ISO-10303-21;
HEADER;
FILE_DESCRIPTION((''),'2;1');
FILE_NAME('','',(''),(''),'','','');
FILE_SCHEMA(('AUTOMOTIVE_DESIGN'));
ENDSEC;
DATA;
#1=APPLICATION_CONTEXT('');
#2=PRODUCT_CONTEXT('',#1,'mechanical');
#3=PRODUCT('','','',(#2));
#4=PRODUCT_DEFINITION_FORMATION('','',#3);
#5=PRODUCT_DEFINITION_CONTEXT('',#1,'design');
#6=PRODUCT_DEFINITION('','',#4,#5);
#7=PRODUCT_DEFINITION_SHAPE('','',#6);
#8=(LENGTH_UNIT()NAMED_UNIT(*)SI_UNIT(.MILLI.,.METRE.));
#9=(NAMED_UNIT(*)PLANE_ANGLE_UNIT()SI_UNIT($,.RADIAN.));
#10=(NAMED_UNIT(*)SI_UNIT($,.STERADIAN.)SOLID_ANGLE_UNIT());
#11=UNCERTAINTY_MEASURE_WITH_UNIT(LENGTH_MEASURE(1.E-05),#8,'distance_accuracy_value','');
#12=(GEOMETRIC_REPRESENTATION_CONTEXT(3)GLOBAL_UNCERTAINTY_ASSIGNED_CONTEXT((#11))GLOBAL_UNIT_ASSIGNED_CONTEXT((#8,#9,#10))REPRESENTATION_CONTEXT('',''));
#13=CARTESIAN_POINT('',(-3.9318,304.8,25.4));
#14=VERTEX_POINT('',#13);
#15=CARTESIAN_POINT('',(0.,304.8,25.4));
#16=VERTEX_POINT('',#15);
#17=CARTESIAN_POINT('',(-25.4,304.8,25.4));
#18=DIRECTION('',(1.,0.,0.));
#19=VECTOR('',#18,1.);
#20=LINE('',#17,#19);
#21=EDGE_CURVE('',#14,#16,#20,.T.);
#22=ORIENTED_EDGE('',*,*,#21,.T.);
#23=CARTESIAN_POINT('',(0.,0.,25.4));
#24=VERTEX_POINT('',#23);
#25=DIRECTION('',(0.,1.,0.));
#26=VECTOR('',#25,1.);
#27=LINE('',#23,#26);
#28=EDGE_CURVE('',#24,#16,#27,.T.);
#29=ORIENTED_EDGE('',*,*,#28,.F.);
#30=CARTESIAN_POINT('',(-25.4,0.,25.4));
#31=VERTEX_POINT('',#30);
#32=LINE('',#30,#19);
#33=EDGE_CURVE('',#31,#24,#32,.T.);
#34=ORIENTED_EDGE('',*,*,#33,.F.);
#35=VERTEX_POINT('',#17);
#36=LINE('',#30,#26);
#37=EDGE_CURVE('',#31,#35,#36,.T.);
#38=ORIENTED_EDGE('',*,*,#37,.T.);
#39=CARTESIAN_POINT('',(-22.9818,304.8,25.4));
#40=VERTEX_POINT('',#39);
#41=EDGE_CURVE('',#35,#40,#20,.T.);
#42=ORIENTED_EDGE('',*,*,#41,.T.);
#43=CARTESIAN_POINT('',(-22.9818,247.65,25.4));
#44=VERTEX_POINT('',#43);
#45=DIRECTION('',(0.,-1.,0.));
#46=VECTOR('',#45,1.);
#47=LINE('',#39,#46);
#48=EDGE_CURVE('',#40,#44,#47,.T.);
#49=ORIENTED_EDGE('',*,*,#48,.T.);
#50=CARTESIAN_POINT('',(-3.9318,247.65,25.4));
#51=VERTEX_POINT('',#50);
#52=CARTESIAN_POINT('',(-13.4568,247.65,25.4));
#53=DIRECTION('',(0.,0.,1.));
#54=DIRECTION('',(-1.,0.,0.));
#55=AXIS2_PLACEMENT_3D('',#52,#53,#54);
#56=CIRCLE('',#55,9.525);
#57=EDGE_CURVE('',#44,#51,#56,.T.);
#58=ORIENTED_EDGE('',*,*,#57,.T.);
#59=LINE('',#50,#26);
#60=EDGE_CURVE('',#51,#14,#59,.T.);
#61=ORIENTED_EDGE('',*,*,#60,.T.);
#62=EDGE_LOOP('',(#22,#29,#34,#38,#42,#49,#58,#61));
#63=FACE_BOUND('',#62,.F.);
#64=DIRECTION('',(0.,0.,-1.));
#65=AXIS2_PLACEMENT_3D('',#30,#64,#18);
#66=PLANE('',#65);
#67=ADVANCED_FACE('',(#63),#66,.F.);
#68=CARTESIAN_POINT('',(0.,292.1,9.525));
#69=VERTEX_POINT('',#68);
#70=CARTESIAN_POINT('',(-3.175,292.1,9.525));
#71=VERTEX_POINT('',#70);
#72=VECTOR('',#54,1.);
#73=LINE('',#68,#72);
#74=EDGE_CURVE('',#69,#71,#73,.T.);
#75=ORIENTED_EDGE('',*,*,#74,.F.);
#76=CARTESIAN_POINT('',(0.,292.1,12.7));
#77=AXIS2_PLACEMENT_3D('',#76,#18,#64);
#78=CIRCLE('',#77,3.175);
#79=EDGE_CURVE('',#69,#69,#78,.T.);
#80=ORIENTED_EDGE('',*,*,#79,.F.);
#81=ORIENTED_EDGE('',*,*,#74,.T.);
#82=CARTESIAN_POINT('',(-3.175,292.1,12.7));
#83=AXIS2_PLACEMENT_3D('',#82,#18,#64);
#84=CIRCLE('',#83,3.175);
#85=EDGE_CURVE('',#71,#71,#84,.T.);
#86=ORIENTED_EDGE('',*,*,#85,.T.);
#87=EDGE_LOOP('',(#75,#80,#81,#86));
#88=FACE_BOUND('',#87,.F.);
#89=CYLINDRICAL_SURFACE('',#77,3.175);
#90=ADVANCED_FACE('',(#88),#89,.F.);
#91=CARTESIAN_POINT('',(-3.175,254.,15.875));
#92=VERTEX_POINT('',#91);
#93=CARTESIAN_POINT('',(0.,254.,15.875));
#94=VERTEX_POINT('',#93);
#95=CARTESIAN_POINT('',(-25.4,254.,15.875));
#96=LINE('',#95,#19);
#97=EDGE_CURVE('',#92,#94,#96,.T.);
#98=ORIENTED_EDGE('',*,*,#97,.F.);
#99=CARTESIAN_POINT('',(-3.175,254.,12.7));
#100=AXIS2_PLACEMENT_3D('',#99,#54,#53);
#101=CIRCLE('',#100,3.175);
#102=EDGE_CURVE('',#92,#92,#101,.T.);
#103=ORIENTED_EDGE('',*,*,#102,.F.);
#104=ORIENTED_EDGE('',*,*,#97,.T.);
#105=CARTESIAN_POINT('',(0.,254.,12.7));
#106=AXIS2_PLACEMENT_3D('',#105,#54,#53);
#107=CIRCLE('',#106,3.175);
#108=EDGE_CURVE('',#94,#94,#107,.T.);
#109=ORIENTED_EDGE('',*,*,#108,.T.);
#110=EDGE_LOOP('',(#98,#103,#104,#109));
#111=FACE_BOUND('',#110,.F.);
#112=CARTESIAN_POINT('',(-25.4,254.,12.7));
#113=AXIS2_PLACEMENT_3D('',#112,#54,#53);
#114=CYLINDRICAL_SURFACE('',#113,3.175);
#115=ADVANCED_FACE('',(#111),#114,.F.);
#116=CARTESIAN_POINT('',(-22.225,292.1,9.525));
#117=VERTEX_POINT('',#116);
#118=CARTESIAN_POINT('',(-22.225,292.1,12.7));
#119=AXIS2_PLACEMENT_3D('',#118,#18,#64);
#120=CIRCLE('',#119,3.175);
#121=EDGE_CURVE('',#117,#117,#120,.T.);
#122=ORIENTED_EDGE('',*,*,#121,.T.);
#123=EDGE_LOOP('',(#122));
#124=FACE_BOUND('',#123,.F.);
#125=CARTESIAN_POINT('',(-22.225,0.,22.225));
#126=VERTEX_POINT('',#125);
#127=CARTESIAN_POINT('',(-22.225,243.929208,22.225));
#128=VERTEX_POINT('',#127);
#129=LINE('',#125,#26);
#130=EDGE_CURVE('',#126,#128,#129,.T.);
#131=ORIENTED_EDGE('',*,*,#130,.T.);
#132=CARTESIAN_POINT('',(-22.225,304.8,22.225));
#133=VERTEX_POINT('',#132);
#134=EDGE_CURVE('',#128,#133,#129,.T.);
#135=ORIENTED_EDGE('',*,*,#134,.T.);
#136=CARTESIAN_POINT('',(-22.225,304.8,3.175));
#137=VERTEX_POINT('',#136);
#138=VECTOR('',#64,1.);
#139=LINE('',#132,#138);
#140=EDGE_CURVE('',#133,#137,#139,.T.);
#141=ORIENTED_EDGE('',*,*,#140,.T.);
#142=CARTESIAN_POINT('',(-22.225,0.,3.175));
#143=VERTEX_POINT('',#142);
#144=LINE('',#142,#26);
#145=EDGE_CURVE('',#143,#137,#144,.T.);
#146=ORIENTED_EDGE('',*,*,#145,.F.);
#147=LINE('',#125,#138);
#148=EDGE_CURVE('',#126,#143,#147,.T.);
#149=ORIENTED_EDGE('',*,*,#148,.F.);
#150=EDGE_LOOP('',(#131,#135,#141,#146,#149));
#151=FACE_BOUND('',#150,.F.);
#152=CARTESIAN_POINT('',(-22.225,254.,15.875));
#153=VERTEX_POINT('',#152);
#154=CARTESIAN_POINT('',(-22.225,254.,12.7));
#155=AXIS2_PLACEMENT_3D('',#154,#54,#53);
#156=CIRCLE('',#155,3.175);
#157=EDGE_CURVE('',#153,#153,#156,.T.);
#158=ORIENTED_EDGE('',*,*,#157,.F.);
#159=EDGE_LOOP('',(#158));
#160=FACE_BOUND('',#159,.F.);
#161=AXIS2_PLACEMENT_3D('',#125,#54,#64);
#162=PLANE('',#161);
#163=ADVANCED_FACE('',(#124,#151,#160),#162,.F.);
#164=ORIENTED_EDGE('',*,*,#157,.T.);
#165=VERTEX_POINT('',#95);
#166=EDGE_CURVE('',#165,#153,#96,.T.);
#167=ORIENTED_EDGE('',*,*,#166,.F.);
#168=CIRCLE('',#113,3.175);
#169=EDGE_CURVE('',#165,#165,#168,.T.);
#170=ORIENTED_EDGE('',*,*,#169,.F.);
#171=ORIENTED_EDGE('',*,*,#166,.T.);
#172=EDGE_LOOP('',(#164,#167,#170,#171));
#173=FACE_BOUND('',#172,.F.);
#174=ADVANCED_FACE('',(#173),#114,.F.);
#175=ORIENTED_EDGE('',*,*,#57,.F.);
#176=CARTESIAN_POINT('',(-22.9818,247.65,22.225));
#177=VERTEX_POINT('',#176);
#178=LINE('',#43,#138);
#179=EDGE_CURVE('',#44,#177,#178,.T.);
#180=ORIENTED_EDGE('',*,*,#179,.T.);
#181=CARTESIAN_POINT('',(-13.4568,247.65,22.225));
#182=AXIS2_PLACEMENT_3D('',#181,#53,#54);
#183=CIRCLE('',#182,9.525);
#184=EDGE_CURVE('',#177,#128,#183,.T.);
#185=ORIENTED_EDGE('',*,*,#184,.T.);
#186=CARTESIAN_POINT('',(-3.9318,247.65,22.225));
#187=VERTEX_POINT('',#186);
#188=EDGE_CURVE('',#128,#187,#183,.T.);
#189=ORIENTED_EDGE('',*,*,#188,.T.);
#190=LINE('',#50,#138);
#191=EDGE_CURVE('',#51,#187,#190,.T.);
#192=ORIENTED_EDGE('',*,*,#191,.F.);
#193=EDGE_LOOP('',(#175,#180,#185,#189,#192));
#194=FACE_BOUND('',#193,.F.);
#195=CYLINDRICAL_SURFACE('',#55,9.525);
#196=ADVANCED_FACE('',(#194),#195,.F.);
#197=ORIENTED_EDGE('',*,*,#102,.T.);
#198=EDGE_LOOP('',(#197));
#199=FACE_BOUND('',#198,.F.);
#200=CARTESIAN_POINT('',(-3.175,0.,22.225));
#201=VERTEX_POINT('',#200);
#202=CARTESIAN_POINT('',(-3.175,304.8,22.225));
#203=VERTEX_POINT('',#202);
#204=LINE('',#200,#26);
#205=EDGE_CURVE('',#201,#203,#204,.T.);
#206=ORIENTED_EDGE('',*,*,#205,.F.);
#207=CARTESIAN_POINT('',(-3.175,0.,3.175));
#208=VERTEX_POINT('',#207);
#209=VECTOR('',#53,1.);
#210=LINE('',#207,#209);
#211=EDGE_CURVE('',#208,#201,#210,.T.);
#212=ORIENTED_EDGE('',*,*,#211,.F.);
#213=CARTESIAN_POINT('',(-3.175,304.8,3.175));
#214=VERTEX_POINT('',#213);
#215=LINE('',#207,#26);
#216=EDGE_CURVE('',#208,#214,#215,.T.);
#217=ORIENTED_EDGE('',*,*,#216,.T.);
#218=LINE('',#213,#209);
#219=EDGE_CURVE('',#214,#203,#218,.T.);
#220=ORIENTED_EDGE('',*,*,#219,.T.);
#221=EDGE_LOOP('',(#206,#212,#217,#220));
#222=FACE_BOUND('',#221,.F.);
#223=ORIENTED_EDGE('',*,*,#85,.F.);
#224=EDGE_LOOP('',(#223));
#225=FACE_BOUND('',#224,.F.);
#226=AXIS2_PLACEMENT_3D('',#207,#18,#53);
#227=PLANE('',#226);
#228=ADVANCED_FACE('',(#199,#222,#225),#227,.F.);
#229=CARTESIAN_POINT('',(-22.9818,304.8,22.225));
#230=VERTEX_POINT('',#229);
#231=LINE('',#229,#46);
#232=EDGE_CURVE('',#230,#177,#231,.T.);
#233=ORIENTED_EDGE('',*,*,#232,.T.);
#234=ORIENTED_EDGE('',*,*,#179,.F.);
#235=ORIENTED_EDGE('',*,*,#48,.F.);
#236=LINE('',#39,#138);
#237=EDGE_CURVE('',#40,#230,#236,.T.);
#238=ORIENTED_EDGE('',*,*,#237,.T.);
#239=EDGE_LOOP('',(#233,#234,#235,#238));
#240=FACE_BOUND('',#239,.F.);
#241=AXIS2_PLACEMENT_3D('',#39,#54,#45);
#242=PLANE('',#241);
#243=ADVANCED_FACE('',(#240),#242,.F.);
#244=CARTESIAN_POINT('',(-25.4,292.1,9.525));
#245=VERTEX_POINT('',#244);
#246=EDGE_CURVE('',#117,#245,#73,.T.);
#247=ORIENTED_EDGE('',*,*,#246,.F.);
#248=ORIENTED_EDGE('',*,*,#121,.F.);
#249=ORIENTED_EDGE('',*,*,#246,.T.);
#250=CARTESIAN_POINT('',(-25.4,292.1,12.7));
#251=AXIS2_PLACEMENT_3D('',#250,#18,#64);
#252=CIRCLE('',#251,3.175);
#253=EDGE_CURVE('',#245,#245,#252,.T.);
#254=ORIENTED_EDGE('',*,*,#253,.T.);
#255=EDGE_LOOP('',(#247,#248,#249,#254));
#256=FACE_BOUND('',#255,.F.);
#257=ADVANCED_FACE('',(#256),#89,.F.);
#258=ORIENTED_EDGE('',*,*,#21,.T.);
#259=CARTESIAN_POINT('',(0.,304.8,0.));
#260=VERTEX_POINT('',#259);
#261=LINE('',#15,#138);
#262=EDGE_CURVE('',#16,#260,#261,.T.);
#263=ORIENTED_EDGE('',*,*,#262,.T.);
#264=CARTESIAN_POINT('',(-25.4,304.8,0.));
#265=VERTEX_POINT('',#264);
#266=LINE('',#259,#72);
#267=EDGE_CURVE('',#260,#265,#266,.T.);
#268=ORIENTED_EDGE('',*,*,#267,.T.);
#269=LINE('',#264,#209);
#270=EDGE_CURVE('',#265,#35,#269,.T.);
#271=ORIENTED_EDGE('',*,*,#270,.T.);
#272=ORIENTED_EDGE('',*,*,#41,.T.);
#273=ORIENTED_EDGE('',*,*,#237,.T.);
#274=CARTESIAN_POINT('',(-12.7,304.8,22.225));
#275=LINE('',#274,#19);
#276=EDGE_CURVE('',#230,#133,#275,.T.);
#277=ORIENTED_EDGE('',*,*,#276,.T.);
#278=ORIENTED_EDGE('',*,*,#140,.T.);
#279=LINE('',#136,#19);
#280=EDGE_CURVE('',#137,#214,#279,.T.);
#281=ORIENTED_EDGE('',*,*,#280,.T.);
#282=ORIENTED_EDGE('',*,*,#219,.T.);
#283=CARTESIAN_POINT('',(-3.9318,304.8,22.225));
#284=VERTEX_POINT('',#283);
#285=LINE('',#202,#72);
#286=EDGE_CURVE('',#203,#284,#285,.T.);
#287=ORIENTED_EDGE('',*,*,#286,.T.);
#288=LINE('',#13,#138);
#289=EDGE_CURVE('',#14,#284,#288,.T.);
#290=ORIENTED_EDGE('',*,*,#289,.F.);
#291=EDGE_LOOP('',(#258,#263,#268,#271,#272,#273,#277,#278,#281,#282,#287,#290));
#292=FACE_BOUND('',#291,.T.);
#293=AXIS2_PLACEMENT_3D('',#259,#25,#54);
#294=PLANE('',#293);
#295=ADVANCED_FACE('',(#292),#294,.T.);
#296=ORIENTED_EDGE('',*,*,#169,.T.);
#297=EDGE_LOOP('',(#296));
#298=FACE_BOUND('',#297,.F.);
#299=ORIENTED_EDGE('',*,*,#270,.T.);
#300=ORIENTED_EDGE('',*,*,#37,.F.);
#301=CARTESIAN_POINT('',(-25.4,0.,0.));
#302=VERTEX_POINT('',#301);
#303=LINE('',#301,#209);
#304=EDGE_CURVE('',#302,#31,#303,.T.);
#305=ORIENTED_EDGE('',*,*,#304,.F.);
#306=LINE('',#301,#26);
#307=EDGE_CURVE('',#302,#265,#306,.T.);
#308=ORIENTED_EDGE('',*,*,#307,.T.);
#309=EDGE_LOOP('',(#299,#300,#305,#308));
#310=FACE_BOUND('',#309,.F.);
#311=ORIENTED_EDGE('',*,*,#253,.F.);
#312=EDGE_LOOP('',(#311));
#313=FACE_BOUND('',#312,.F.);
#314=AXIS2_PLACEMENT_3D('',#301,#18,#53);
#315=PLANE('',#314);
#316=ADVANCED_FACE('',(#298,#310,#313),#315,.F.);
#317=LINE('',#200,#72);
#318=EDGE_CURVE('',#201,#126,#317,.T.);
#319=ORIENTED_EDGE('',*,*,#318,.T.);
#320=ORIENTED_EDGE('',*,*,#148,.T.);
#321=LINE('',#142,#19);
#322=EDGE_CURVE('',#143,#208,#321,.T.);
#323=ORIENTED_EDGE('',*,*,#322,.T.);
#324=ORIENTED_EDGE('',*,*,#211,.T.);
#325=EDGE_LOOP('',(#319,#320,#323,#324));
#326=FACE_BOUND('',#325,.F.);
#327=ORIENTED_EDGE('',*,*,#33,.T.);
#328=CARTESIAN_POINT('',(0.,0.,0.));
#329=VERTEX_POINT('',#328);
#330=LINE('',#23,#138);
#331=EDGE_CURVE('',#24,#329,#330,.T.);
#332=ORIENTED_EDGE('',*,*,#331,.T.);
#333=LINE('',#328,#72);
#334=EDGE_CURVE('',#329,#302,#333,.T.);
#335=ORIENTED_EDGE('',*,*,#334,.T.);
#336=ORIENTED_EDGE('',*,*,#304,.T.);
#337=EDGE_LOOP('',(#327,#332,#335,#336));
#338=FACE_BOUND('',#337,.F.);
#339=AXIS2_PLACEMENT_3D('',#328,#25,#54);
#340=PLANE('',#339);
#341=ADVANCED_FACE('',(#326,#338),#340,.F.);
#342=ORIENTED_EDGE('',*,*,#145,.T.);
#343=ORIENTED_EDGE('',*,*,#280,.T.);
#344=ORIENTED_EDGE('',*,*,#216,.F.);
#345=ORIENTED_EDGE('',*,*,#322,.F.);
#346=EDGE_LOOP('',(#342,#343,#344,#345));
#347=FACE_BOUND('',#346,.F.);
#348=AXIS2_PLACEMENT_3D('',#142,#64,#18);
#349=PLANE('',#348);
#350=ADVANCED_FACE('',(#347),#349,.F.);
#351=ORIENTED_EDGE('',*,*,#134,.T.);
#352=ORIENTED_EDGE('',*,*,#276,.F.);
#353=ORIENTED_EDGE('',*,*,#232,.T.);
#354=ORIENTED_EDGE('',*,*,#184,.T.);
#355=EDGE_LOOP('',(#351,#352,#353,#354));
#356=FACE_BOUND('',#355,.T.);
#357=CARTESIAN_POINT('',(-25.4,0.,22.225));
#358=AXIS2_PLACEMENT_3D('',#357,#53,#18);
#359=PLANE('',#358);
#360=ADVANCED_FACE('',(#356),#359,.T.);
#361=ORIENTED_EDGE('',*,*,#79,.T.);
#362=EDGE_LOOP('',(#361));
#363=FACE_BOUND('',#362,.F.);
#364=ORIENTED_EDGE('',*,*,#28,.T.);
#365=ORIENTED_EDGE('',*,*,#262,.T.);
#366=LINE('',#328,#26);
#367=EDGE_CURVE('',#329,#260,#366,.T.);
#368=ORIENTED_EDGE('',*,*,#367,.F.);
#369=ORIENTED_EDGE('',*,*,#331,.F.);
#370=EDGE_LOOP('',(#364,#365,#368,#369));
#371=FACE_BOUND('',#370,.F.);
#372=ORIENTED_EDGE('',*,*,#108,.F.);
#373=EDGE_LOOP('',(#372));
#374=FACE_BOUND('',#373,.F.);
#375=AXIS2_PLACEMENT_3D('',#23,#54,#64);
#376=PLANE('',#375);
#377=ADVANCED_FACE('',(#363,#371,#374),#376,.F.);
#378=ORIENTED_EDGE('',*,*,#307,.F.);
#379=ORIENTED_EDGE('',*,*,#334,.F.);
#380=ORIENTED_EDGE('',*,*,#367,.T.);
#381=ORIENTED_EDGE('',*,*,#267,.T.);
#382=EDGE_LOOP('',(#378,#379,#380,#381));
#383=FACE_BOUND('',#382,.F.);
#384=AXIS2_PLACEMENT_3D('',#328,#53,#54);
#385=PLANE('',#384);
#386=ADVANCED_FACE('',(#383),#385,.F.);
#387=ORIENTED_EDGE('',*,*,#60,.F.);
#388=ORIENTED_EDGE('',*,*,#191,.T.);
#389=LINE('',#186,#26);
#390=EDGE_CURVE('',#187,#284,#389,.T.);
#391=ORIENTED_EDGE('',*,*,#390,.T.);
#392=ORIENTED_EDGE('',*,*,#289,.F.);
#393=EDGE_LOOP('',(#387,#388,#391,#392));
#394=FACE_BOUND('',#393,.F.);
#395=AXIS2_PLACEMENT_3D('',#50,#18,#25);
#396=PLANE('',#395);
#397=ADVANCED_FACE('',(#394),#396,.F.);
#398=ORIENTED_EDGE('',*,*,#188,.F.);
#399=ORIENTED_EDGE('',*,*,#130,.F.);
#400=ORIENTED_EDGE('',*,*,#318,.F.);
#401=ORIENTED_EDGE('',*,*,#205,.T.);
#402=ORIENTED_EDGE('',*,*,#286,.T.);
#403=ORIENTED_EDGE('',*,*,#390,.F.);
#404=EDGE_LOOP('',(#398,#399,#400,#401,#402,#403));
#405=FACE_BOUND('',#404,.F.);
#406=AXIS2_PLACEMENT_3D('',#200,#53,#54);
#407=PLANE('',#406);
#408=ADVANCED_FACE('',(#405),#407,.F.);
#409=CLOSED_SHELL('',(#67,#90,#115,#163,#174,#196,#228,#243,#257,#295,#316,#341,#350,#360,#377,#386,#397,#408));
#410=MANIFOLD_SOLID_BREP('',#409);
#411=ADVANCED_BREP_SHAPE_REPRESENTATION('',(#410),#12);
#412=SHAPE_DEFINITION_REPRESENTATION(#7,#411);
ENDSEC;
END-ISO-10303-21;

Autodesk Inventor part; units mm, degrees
ref_plane "YZ Plane" through (0, 0, 0) normal (1, 0, 0) x (0, 1, 0)
ref_plane "XZ Plane" through (0, 0, 0) normal (0, 1, 0) x (-1, 0, 0)
ref_plane "XY Plane" through (0, 0, 0) normal (0, 0, 1) x (1, 0, 0)
sketch "Sketch1" plane through (0, 0, 0) normal (0, 1, 0) x (-1, 0, 0)
  line L0 (0, 0) -> (25.4, 0)
  line L1 (25.4, 0) -> (25.4, 25.4)
  line L2 (25.4, 25.4) -> (0, 25.4)
  line L3 (0, 25.4) -> (0, 0)
  line L4 (3.175, 22.225) -> (22.225, 22.225)
  line L5 (22.225, 22.225) -> (22.225, 3.175)
  line L6 (22.225, 3.175) -> (3.175, 3.175)
  line L7 (3.175, 3.175) -> (3.175, 22.225)
  dimension "d0" = 25.4
  dimension "d1" = 25.4
  dimension "d4" = 3.175
  dimension "d5" = 3.175
  dimension "d6" = 3.175
  dimension "d7" = 3.175
extrude "Extrusion1" add sketch "Sketch1" along normal blind 304.8
sketch "Sketch2" plane through (0, 0, 25.4) normal (1, 0, 0) x (0, 0, -1)
  circle A0 centre (12.7, 292.1) radius 3.175
  line L0 (22.225, 304.8) -> (3.175, 304.8) projected
  line L1 (0, 0) -> (0, 304.8) projected
  point P0 (25.4, 0)
  dimension "d10" = 6.35
  dimension "d11" = 12.7
  dimension "d12" = 12.7
extrude "Extrusion2" cut sketch "Sketch2" against normal blind 304.8
sketch "Sketch3" plane through (-25.4, 0, 0) normal (-1, 0, 0) x (0, 0, 1)
  circle A0 centre (12.7, 254) radius 3.175
  line L0 (0, 304.8) -> (25.4, 304.8) projected
  line L1 (0, 0) -> (0, 304.8) projected
  dimension "d15" = 6.35
  dimension "d16" = 50.8
  dimension "d17" = 12.7
extrude "Extrusion3" cut sketch "Sketch3" against normal blind 25.4
sketch "Sketch4" plane through (-25.4, 0, 25.4) normal (0, 0, 1) x (1, 0, 0)
  line L0 (11.9432, 247.65) -> (11.9432, 304.8) construction
  line L1 (21.4682, 247.65) -> (21.4682, 304.8)
  line L2 (2.4182, 304.8) -> (2.4182, 247.65)
  arc A0 (2.4182, 247.65) -> (21.4682, 247.65) centre (11.9432, 247.65) ccw
  arc A1 (21.4682, 304.8) -> (2.4182, 304.8) centre (11.9432, 304.8) ccw
  line L3 (0, 0) -> (25.4, 0) projected
  line L4 (0, 0) -> (0, 304.8) projected
  line L5 (22.225, 304.8) -> (3.175, 304.8) projected
  point P0 (11.9432, 276.225)
  dimension "d20" = 57.15
  dimension "d22" = 11.9432
  dimension "d23" = 0
  dimension "d24" = 19.05
extrude "Extrusion4" cut sketch "Sketch4" against normal blind 3.175
equation "\"d5\" = d4"
equation "\"d6\" = d4"
equation "\"d7\" = d4"
properties part number "Substitute Sucker Arm"
